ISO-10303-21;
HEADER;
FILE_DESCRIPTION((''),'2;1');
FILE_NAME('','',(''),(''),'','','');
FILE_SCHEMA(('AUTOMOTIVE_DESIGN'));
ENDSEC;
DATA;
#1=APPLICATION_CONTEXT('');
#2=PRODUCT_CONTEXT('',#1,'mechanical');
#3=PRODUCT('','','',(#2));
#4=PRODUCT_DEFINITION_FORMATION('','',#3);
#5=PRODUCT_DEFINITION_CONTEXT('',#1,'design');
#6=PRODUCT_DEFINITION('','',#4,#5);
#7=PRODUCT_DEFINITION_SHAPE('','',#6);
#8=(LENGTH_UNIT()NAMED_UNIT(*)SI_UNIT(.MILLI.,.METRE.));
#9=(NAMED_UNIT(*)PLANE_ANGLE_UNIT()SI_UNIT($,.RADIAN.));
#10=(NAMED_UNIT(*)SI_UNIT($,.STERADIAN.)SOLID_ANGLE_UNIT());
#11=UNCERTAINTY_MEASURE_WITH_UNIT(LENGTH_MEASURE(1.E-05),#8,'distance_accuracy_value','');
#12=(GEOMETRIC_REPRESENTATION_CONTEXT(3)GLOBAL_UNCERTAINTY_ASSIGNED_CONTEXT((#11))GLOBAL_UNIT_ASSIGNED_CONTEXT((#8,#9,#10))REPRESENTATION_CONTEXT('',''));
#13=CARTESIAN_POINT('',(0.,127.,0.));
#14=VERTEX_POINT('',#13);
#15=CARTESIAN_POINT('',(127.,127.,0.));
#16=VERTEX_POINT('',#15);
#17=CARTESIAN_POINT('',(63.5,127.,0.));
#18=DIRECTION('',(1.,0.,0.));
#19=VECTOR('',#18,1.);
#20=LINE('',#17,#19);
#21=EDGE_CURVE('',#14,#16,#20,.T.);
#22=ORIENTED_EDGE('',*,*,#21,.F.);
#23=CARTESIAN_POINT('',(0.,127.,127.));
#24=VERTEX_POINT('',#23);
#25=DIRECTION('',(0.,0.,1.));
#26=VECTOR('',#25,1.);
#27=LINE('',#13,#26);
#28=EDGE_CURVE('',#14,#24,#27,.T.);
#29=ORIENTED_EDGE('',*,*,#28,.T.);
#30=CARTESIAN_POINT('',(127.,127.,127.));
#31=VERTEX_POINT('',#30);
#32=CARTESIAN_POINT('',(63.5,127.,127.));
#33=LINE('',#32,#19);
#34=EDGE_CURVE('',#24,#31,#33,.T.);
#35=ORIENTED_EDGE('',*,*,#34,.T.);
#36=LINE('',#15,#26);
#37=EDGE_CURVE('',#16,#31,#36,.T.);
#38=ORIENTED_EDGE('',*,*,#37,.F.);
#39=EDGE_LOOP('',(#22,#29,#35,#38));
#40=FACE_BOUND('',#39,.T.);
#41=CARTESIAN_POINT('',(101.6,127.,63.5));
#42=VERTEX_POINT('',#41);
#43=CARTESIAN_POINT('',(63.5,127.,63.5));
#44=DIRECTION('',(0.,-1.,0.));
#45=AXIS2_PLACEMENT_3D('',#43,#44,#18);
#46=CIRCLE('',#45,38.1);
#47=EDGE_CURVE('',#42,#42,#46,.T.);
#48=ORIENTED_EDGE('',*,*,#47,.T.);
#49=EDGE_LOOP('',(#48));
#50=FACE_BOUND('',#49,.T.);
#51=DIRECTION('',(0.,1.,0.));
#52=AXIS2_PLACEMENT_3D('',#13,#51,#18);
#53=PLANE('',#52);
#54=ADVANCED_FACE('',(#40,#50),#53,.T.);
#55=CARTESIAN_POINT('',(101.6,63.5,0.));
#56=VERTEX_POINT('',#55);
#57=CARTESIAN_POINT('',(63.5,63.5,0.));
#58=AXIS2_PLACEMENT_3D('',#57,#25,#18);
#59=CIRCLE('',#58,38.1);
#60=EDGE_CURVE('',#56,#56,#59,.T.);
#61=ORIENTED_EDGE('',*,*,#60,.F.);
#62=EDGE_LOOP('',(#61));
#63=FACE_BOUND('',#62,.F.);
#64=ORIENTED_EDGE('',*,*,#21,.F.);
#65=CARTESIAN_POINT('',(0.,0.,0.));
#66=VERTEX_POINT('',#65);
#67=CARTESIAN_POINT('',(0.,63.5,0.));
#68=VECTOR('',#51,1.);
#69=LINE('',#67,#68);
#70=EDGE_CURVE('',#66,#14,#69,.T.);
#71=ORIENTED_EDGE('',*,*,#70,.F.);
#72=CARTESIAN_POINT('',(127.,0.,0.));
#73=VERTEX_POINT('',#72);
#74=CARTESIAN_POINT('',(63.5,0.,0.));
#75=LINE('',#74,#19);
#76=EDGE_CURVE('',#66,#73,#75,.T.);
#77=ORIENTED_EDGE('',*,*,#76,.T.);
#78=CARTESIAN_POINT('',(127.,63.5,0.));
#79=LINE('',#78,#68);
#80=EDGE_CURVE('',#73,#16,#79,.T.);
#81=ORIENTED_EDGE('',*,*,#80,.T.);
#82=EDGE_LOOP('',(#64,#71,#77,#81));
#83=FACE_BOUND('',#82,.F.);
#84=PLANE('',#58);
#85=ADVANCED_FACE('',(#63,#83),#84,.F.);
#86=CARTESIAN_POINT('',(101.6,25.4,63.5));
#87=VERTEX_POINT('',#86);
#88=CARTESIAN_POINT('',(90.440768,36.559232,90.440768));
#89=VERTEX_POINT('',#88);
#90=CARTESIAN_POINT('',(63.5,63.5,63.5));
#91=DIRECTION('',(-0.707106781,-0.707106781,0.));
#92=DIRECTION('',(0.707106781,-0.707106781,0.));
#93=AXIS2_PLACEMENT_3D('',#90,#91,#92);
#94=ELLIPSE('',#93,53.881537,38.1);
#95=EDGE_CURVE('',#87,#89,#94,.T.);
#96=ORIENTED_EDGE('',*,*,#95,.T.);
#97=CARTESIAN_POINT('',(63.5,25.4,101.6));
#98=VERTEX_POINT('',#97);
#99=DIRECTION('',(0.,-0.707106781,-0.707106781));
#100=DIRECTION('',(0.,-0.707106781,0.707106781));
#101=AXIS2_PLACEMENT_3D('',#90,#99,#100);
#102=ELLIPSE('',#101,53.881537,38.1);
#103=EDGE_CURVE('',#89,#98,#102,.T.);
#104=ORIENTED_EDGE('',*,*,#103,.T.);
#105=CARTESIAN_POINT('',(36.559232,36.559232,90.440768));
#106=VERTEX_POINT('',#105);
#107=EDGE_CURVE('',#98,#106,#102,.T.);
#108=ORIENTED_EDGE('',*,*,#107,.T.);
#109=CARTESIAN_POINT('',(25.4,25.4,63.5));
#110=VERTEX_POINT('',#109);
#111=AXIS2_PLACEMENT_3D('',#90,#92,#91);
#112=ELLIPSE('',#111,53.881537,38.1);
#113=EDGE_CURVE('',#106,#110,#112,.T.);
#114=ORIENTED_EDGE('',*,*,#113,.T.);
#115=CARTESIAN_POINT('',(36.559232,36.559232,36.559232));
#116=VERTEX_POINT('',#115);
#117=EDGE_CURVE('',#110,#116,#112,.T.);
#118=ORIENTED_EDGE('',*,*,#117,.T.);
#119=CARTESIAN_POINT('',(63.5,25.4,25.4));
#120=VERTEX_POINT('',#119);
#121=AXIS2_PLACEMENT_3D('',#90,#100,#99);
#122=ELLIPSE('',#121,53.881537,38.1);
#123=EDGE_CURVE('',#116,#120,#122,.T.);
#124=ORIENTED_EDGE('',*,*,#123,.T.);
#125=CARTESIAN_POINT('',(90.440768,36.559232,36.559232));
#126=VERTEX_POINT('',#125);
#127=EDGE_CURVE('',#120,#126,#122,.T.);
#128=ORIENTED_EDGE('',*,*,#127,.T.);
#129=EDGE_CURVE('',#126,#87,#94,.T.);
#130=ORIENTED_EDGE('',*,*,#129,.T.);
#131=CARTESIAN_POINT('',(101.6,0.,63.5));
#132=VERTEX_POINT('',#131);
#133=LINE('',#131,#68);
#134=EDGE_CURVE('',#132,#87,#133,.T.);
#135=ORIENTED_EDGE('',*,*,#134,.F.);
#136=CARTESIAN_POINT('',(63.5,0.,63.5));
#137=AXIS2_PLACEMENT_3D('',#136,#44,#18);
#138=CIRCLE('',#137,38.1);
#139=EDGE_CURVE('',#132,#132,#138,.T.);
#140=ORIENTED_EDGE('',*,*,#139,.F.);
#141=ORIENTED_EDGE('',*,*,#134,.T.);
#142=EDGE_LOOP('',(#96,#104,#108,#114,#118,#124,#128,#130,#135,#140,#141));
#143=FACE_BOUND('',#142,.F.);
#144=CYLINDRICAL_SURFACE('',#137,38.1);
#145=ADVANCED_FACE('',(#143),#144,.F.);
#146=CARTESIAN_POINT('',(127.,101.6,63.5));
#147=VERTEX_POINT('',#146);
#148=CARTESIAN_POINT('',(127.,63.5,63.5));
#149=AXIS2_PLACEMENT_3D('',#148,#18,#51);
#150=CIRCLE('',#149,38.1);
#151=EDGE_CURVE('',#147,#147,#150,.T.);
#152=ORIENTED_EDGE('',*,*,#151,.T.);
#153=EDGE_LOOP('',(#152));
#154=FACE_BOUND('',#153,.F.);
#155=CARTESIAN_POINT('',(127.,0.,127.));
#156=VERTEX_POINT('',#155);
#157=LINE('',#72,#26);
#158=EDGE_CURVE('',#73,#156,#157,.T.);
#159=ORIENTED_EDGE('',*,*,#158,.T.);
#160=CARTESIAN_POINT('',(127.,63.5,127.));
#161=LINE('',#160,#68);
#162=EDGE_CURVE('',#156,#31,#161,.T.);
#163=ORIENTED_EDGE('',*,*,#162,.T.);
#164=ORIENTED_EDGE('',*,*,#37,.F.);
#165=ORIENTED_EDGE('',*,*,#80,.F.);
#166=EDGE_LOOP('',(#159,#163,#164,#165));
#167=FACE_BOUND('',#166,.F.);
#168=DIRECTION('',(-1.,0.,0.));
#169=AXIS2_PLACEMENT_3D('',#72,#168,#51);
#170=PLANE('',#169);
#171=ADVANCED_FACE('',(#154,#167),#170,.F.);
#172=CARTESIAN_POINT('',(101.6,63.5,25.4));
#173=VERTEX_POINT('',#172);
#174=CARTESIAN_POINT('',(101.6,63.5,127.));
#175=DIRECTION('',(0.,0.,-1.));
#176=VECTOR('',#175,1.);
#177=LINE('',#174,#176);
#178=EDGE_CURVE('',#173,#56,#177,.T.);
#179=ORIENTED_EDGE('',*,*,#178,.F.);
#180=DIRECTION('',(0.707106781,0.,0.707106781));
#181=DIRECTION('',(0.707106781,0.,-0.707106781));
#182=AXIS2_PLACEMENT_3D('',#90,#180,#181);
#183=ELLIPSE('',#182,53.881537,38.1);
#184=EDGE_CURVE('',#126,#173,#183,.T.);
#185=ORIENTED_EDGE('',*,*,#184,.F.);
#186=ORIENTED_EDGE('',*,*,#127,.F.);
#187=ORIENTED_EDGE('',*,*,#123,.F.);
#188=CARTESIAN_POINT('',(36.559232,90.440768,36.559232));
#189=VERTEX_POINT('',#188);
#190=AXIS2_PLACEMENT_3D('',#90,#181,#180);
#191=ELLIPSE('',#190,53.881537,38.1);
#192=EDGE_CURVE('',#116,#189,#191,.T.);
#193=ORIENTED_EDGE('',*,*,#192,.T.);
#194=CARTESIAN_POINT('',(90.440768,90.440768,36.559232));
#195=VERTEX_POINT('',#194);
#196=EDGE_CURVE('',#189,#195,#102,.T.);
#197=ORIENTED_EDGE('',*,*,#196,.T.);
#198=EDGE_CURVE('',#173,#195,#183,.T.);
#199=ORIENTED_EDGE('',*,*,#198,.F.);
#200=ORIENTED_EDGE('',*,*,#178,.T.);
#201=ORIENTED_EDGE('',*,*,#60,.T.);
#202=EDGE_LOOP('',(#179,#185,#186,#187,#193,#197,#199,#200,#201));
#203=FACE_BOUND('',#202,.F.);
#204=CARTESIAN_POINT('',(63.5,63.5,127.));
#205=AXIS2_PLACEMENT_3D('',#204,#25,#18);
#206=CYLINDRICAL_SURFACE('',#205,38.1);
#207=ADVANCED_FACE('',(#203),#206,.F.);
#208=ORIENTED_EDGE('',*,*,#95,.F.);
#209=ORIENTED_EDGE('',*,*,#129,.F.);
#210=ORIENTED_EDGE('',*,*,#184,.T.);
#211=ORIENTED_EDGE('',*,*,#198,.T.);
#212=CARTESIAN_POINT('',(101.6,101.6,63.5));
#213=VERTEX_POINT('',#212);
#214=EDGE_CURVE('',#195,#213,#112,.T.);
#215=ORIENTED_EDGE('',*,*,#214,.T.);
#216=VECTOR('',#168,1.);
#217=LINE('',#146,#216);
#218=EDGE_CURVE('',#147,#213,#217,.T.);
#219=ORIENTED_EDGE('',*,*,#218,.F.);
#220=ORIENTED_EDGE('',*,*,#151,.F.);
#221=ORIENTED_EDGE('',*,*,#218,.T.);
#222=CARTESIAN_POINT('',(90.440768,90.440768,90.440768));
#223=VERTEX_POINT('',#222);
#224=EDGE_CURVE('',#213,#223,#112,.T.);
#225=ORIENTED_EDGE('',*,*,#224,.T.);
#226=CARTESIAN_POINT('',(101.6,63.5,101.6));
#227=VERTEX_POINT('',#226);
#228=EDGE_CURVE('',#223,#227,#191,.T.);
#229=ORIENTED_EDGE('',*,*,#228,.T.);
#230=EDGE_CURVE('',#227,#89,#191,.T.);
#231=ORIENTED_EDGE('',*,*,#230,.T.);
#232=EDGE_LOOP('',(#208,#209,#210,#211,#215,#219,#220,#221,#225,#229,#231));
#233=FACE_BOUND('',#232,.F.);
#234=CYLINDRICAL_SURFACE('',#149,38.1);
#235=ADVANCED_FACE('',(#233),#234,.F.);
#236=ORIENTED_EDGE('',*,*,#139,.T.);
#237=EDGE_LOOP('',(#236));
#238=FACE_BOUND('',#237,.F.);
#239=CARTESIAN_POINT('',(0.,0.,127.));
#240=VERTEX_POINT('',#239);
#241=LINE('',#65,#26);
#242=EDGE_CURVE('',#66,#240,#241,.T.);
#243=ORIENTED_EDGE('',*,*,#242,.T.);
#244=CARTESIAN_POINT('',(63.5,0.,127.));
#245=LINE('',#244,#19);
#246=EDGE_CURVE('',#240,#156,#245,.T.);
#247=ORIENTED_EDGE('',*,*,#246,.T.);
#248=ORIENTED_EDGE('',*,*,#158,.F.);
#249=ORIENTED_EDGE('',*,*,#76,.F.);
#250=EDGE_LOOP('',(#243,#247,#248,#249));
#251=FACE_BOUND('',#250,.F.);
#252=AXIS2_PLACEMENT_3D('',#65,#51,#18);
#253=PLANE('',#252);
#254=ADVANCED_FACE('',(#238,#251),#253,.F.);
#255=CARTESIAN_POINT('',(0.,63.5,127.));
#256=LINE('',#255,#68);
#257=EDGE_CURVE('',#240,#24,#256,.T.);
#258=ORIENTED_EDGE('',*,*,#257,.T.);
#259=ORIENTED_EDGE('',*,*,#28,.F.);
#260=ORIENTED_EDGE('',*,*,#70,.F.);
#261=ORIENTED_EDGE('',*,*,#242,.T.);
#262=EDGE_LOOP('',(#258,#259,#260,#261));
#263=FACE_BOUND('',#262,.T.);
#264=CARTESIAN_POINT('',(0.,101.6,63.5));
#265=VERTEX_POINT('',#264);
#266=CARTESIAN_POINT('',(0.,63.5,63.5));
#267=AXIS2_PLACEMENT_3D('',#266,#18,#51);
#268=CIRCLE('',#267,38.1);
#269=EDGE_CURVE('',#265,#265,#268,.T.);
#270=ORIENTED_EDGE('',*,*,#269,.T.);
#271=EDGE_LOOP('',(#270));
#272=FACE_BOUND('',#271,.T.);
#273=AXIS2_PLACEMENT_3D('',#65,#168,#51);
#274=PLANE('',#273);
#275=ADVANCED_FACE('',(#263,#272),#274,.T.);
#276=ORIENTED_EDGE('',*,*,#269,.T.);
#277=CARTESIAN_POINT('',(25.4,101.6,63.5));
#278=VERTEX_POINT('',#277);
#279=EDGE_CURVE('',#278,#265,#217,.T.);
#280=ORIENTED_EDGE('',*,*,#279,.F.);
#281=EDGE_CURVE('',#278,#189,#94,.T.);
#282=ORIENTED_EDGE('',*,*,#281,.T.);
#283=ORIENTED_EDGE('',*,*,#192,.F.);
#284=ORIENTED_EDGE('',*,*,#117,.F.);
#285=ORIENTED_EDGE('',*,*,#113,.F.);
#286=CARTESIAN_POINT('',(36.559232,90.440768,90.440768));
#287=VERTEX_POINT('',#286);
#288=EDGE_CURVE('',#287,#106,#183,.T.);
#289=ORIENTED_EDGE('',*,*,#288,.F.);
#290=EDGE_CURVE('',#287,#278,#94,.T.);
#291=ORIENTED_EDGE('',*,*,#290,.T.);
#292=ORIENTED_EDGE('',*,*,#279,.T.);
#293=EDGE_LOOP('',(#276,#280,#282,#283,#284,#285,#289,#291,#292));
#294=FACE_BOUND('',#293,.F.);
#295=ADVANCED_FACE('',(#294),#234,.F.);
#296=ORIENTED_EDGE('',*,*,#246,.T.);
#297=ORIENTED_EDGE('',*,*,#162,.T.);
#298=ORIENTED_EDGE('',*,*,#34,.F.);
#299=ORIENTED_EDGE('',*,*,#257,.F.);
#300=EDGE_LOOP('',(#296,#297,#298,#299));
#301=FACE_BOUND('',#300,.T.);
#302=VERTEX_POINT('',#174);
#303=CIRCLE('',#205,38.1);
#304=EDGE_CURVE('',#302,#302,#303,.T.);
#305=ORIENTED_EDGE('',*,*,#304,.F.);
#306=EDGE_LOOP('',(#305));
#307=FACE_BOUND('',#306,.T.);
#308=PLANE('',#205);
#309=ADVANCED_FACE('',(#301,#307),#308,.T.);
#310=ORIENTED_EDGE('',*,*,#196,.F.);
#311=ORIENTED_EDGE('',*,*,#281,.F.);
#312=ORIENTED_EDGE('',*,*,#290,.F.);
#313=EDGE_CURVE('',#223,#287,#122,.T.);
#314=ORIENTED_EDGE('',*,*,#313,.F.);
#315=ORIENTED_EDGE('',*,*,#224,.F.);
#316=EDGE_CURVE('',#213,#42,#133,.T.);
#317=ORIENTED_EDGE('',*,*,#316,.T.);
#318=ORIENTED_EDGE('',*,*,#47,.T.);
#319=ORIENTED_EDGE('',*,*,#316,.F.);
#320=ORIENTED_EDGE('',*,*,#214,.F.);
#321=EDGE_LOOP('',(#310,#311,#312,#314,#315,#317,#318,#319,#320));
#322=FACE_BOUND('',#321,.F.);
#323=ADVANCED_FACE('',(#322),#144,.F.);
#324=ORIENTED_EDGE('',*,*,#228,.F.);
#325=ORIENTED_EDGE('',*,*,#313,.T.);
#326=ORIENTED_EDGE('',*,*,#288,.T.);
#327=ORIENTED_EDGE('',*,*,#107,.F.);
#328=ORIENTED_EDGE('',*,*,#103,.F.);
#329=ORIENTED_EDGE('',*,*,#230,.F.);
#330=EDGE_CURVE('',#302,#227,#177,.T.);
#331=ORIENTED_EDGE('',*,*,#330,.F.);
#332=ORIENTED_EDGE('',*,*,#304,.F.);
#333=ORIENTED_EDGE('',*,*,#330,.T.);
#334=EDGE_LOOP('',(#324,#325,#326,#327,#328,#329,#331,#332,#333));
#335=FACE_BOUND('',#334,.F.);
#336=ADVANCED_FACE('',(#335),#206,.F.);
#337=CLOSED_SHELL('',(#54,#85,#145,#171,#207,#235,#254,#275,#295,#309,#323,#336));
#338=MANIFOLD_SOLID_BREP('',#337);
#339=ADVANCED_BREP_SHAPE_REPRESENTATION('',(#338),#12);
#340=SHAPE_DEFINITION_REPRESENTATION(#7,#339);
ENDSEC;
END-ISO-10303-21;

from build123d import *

# Parameters (mm, degrees)
F0_W     = 127
F0_H     = 127
F1_DEPTH = 127
F2_R     = 38.1
F3_DEPTH = 127.001
F4_R     = 38.1
F5_DEPTH = 127.001
F6_R     = 38.1
F7_DEPTH = 127.001


with BuildPart() as f1:
    # F0 (on Top) → F1 (new body)
    with BuildSketch(Plane.XY):
        with Locations((63.5, 63.5)):
            Rectangle(F0_W, F0_H)
    extrude(amount=F1_DEPTH)

    # F2 (on face) → F3 (cut, through all)
    with BuildSketch(Plane.XZ):
        with Locations((63.5, 63.5)):
            Circle(F2_R)
    extrude(amount=-F3_DEPTH, mode=Mode.SUBTRACT)

    # F4 (on face) → F5 (cut, through all)
    with BuildSketch(Plane.YZ.offset(127)):
        with Locations((63.5, 63.5)):
            Circle(F4_R)
    extrude(amount=-F5_DEPTH, mode=Mode.SUBTRACT)

    # F6 (on face) → F7 (cut, through all)
    with BuildSketch(Plane.XY.offset(127)):
        with Locations((63.5, 63.5)):
            Circle(F6_R)
    extrude(amount=-F7_DEPTH, mode=Mode.SUBTRACT)


solid = f1.part
